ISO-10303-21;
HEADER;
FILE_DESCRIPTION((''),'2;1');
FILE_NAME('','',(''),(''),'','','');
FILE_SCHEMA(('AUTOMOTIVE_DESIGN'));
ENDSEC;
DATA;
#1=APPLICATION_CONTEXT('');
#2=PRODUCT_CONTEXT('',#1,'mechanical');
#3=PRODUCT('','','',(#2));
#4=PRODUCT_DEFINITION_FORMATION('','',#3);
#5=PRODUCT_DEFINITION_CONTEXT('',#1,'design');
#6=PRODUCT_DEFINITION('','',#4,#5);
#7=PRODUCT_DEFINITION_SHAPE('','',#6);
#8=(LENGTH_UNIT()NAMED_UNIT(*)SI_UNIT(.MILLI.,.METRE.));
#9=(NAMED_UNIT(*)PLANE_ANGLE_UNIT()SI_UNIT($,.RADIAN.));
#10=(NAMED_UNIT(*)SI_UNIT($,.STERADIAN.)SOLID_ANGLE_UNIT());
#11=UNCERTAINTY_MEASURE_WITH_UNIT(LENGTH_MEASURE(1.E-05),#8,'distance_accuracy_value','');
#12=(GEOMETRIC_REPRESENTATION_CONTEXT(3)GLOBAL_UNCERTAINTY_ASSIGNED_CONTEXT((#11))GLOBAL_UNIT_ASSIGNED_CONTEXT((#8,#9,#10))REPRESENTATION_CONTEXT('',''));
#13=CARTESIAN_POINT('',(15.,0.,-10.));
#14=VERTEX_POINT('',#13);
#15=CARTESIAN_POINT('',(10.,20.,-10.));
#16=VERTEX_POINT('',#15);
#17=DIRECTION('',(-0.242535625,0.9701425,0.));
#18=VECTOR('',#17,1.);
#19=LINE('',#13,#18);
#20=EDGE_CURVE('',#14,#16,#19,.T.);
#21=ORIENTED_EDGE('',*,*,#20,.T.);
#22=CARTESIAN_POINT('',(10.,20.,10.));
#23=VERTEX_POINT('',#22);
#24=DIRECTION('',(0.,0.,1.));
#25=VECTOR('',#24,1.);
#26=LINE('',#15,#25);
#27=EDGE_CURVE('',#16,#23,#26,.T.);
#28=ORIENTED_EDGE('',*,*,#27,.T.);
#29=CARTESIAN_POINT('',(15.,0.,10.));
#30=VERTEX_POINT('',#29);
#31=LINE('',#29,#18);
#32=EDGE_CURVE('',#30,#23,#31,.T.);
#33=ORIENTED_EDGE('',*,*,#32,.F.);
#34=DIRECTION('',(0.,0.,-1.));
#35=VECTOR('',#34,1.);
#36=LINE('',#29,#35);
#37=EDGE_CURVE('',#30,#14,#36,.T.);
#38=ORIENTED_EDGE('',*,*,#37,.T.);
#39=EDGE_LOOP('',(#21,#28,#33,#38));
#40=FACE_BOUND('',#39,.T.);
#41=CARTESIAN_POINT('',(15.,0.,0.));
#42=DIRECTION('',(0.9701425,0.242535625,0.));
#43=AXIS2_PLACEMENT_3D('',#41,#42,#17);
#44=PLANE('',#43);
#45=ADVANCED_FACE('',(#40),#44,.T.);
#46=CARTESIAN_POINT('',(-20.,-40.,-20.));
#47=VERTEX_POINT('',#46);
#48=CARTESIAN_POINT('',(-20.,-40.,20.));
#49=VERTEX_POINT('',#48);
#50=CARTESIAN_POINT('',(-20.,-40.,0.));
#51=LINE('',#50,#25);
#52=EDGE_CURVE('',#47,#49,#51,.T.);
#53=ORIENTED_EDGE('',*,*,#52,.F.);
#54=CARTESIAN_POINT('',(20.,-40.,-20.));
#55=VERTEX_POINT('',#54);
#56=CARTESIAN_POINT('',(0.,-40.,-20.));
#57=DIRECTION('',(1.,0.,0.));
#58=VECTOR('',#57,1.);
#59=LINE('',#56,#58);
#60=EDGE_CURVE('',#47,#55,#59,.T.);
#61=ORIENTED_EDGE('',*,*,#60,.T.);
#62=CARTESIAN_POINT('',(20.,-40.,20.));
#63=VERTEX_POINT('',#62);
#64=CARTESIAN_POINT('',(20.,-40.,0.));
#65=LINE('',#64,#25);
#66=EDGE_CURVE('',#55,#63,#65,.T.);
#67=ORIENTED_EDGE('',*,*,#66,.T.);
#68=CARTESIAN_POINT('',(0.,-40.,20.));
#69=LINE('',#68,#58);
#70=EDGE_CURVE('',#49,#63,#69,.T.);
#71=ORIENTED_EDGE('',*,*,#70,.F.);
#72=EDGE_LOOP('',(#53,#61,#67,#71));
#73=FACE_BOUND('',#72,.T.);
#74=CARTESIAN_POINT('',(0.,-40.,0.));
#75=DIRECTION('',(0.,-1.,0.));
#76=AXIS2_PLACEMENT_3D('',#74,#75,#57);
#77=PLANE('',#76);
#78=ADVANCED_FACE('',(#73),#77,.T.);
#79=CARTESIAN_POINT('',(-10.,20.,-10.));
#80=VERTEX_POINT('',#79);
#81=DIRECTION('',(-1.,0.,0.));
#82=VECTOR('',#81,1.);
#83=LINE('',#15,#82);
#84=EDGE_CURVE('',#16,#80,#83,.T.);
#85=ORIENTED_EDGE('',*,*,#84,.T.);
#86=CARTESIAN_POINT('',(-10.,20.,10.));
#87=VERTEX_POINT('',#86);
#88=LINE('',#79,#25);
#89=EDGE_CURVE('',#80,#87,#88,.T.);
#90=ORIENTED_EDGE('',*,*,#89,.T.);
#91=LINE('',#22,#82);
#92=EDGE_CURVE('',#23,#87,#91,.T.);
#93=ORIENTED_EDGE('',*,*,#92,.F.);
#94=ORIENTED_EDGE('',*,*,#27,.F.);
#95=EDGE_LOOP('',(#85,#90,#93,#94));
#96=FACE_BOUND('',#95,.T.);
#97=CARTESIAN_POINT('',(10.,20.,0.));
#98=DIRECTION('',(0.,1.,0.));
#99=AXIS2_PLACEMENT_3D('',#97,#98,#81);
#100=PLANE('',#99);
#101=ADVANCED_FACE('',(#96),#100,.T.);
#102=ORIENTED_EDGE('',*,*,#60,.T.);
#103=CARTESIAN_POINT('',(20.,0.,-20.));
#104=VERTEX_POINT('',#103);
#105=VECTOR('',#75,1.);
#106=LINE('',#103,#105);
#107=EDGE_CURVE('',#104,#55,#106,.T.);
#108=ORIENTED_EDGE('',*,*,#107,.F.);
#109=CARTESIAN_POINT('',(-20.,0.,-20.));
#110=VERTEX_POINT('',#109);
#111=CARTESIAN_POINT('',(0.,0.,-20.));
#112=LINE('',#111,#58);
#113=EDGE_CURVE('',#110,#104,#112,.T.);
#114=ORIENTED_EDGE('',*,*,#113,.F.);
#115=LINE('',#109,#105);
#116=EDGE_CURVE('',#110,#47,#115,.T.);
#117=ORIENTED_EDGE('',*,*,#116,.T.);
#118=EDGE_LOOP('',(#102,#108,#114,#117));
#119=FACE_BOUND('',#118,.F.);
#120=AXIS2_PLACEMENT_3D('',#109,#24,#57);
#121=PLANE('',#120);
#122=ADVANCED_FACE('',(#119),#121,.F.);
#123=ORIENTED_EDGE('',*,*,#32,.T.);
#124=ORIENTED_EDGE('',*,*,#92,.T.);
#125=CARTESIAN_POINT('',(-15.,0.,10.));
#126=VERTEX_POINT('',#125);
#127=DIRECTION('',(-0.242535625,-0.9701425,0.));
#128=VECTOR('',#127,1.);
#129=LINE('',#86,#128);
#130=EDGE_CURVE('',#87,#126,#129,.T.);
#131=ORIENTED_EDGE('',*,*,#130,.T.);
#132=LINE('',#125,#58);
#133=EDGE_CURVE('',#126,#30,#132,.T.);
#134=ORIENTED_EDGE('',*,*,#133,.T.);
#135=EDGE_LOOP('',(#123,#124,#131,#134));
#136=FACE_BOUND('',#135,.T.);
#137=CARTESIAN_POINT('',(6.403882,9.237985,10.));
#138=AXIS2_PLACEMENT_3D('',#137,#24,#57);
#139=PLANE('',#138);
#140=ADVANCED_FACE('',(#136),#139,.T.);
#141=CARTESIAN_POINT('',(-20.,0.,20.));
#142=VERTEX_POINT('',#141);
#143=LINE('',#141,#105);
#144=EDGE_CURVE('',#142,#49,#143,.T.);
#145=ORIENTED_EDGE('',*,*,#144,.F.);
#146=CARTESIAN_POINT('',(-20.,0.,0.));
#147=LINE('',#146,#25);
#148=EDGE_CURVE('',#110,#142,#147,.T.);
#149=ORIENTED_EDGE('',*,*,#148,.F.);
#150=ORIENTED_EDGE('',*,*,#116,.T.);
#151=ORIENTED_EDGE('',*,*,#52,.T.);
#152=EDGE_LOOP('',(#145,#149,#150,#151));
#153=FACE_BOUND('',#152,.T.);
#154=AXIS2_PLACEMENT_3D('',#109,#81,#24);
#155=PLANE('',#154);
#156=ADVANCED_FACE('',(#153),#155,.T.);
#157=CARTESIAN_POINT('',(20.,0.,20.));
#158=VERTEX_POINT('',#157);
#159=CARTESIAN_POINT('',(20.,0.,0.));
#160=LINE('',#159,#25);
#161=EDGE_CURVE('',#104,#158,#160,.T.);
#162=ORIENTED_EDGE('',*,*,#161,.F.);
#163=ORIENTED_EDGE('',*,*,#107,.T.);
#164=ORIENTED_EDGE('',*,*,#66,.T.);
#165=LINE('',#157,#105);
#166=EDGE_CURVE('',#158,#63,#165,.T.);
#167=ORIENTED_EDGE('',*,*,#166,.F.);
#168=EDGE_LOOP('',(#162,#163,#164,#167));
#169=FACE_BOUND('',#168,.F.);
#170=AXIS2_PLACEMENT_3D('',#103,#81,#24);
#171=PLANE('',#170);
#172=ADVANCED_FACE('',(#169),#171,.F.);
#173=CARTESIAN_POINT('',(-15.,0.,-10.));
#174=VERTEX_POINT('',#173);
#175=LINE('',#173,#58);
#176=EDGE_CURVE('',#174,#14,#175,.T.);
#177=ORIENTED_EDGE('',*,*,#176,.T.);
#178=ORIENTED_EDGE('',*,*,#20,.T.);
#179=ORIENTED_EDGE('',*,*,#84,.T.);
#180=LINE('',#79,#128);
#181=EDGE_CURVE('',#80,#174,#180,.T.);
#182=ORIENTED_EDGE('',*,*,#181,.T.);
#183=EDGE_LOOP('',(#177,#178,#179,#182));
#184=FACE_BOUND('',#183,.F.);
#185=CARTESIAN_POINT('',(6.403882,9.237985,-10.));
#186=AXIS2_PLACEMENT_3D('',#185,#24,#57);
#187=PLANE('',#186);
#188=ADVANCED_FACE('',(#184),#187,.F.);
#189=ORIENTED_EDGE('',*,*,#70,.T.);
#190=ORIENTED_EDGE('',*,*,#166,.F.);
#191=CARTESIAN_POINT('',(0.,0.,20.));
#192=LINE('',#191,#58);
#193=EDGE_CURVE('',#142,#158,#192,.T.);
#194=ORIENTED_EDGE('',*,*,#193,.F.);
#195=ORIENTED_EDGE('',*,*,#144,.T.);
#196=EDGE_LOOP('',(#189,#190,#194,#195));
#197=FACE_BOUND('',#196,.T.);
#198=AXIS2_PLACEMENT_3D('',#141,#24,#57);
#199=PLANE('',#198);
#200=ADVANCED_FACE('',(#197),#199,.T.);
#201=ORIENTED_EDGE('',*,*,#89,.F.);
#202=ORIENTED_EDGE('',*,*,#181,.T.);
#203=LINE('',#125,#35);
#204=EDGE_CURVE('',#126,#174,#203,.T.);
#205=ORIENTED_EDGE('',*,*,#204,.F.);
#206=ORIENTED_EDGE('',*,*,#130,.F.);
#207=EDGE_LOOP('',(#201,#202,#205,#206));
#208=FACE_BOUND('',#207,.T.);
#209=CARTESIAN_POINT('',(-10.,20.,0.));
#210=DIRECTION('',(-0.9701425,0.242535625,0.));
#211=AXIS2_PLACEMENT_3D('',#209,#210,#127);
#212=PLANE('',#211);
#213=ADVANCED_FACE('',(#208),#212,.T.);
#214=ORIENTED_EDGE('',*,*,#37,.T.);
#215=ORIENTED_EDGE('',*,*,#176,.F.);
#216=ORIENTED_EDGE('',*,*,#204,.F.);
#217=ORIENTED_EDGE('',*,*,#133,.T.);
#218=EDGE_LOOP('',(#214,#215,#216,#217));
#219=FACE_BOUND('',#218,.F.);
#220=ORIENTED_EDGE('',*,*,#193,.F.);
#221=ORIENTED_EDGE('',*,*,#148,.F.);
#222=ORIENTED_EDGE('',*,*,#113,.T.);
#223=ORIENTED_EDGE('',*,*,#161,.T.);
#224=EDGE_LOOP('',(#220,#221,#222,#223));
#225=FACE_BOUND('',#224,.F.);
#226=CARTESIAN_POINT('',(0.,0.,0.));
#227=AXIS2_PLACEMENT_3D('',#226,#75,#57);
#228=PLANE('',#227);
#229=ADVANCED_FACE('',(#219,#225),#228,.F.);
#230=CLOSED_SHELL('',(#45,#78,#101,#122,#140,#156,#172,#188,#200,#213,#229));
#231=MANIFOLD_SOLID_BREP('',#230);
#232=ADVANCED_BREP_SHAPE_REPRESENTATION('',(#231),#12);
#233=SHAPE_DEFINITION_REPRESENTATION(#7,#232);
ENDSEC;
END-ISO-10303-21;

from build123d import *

# Parameters (mm, degrees)
F0_W     = 40
F0_H     = 40
F1_DEPTH = 40
F3_DEPTH = 10


with BuildPart() as f1:
    # F0 (on Front) → F1 (new body)
    with BuildSketch(Plane.XZ):
        Rectangle(F0_W, F0_H)
    extrude(amount=F1_DEPTH)

    # F2 (on Top) → F3 (join, symmetric)
    with BuildSketch(Plane.XY):
        Polygon((0, 0), (15, 0), (10, 20), (0, 20), align=None)
        Polygon((-15, 0), (0, 0), (0, 20), (-10, 20), align=None)
    extrude(amount=F3_DEPTH, both=True)


solid = f1.part
